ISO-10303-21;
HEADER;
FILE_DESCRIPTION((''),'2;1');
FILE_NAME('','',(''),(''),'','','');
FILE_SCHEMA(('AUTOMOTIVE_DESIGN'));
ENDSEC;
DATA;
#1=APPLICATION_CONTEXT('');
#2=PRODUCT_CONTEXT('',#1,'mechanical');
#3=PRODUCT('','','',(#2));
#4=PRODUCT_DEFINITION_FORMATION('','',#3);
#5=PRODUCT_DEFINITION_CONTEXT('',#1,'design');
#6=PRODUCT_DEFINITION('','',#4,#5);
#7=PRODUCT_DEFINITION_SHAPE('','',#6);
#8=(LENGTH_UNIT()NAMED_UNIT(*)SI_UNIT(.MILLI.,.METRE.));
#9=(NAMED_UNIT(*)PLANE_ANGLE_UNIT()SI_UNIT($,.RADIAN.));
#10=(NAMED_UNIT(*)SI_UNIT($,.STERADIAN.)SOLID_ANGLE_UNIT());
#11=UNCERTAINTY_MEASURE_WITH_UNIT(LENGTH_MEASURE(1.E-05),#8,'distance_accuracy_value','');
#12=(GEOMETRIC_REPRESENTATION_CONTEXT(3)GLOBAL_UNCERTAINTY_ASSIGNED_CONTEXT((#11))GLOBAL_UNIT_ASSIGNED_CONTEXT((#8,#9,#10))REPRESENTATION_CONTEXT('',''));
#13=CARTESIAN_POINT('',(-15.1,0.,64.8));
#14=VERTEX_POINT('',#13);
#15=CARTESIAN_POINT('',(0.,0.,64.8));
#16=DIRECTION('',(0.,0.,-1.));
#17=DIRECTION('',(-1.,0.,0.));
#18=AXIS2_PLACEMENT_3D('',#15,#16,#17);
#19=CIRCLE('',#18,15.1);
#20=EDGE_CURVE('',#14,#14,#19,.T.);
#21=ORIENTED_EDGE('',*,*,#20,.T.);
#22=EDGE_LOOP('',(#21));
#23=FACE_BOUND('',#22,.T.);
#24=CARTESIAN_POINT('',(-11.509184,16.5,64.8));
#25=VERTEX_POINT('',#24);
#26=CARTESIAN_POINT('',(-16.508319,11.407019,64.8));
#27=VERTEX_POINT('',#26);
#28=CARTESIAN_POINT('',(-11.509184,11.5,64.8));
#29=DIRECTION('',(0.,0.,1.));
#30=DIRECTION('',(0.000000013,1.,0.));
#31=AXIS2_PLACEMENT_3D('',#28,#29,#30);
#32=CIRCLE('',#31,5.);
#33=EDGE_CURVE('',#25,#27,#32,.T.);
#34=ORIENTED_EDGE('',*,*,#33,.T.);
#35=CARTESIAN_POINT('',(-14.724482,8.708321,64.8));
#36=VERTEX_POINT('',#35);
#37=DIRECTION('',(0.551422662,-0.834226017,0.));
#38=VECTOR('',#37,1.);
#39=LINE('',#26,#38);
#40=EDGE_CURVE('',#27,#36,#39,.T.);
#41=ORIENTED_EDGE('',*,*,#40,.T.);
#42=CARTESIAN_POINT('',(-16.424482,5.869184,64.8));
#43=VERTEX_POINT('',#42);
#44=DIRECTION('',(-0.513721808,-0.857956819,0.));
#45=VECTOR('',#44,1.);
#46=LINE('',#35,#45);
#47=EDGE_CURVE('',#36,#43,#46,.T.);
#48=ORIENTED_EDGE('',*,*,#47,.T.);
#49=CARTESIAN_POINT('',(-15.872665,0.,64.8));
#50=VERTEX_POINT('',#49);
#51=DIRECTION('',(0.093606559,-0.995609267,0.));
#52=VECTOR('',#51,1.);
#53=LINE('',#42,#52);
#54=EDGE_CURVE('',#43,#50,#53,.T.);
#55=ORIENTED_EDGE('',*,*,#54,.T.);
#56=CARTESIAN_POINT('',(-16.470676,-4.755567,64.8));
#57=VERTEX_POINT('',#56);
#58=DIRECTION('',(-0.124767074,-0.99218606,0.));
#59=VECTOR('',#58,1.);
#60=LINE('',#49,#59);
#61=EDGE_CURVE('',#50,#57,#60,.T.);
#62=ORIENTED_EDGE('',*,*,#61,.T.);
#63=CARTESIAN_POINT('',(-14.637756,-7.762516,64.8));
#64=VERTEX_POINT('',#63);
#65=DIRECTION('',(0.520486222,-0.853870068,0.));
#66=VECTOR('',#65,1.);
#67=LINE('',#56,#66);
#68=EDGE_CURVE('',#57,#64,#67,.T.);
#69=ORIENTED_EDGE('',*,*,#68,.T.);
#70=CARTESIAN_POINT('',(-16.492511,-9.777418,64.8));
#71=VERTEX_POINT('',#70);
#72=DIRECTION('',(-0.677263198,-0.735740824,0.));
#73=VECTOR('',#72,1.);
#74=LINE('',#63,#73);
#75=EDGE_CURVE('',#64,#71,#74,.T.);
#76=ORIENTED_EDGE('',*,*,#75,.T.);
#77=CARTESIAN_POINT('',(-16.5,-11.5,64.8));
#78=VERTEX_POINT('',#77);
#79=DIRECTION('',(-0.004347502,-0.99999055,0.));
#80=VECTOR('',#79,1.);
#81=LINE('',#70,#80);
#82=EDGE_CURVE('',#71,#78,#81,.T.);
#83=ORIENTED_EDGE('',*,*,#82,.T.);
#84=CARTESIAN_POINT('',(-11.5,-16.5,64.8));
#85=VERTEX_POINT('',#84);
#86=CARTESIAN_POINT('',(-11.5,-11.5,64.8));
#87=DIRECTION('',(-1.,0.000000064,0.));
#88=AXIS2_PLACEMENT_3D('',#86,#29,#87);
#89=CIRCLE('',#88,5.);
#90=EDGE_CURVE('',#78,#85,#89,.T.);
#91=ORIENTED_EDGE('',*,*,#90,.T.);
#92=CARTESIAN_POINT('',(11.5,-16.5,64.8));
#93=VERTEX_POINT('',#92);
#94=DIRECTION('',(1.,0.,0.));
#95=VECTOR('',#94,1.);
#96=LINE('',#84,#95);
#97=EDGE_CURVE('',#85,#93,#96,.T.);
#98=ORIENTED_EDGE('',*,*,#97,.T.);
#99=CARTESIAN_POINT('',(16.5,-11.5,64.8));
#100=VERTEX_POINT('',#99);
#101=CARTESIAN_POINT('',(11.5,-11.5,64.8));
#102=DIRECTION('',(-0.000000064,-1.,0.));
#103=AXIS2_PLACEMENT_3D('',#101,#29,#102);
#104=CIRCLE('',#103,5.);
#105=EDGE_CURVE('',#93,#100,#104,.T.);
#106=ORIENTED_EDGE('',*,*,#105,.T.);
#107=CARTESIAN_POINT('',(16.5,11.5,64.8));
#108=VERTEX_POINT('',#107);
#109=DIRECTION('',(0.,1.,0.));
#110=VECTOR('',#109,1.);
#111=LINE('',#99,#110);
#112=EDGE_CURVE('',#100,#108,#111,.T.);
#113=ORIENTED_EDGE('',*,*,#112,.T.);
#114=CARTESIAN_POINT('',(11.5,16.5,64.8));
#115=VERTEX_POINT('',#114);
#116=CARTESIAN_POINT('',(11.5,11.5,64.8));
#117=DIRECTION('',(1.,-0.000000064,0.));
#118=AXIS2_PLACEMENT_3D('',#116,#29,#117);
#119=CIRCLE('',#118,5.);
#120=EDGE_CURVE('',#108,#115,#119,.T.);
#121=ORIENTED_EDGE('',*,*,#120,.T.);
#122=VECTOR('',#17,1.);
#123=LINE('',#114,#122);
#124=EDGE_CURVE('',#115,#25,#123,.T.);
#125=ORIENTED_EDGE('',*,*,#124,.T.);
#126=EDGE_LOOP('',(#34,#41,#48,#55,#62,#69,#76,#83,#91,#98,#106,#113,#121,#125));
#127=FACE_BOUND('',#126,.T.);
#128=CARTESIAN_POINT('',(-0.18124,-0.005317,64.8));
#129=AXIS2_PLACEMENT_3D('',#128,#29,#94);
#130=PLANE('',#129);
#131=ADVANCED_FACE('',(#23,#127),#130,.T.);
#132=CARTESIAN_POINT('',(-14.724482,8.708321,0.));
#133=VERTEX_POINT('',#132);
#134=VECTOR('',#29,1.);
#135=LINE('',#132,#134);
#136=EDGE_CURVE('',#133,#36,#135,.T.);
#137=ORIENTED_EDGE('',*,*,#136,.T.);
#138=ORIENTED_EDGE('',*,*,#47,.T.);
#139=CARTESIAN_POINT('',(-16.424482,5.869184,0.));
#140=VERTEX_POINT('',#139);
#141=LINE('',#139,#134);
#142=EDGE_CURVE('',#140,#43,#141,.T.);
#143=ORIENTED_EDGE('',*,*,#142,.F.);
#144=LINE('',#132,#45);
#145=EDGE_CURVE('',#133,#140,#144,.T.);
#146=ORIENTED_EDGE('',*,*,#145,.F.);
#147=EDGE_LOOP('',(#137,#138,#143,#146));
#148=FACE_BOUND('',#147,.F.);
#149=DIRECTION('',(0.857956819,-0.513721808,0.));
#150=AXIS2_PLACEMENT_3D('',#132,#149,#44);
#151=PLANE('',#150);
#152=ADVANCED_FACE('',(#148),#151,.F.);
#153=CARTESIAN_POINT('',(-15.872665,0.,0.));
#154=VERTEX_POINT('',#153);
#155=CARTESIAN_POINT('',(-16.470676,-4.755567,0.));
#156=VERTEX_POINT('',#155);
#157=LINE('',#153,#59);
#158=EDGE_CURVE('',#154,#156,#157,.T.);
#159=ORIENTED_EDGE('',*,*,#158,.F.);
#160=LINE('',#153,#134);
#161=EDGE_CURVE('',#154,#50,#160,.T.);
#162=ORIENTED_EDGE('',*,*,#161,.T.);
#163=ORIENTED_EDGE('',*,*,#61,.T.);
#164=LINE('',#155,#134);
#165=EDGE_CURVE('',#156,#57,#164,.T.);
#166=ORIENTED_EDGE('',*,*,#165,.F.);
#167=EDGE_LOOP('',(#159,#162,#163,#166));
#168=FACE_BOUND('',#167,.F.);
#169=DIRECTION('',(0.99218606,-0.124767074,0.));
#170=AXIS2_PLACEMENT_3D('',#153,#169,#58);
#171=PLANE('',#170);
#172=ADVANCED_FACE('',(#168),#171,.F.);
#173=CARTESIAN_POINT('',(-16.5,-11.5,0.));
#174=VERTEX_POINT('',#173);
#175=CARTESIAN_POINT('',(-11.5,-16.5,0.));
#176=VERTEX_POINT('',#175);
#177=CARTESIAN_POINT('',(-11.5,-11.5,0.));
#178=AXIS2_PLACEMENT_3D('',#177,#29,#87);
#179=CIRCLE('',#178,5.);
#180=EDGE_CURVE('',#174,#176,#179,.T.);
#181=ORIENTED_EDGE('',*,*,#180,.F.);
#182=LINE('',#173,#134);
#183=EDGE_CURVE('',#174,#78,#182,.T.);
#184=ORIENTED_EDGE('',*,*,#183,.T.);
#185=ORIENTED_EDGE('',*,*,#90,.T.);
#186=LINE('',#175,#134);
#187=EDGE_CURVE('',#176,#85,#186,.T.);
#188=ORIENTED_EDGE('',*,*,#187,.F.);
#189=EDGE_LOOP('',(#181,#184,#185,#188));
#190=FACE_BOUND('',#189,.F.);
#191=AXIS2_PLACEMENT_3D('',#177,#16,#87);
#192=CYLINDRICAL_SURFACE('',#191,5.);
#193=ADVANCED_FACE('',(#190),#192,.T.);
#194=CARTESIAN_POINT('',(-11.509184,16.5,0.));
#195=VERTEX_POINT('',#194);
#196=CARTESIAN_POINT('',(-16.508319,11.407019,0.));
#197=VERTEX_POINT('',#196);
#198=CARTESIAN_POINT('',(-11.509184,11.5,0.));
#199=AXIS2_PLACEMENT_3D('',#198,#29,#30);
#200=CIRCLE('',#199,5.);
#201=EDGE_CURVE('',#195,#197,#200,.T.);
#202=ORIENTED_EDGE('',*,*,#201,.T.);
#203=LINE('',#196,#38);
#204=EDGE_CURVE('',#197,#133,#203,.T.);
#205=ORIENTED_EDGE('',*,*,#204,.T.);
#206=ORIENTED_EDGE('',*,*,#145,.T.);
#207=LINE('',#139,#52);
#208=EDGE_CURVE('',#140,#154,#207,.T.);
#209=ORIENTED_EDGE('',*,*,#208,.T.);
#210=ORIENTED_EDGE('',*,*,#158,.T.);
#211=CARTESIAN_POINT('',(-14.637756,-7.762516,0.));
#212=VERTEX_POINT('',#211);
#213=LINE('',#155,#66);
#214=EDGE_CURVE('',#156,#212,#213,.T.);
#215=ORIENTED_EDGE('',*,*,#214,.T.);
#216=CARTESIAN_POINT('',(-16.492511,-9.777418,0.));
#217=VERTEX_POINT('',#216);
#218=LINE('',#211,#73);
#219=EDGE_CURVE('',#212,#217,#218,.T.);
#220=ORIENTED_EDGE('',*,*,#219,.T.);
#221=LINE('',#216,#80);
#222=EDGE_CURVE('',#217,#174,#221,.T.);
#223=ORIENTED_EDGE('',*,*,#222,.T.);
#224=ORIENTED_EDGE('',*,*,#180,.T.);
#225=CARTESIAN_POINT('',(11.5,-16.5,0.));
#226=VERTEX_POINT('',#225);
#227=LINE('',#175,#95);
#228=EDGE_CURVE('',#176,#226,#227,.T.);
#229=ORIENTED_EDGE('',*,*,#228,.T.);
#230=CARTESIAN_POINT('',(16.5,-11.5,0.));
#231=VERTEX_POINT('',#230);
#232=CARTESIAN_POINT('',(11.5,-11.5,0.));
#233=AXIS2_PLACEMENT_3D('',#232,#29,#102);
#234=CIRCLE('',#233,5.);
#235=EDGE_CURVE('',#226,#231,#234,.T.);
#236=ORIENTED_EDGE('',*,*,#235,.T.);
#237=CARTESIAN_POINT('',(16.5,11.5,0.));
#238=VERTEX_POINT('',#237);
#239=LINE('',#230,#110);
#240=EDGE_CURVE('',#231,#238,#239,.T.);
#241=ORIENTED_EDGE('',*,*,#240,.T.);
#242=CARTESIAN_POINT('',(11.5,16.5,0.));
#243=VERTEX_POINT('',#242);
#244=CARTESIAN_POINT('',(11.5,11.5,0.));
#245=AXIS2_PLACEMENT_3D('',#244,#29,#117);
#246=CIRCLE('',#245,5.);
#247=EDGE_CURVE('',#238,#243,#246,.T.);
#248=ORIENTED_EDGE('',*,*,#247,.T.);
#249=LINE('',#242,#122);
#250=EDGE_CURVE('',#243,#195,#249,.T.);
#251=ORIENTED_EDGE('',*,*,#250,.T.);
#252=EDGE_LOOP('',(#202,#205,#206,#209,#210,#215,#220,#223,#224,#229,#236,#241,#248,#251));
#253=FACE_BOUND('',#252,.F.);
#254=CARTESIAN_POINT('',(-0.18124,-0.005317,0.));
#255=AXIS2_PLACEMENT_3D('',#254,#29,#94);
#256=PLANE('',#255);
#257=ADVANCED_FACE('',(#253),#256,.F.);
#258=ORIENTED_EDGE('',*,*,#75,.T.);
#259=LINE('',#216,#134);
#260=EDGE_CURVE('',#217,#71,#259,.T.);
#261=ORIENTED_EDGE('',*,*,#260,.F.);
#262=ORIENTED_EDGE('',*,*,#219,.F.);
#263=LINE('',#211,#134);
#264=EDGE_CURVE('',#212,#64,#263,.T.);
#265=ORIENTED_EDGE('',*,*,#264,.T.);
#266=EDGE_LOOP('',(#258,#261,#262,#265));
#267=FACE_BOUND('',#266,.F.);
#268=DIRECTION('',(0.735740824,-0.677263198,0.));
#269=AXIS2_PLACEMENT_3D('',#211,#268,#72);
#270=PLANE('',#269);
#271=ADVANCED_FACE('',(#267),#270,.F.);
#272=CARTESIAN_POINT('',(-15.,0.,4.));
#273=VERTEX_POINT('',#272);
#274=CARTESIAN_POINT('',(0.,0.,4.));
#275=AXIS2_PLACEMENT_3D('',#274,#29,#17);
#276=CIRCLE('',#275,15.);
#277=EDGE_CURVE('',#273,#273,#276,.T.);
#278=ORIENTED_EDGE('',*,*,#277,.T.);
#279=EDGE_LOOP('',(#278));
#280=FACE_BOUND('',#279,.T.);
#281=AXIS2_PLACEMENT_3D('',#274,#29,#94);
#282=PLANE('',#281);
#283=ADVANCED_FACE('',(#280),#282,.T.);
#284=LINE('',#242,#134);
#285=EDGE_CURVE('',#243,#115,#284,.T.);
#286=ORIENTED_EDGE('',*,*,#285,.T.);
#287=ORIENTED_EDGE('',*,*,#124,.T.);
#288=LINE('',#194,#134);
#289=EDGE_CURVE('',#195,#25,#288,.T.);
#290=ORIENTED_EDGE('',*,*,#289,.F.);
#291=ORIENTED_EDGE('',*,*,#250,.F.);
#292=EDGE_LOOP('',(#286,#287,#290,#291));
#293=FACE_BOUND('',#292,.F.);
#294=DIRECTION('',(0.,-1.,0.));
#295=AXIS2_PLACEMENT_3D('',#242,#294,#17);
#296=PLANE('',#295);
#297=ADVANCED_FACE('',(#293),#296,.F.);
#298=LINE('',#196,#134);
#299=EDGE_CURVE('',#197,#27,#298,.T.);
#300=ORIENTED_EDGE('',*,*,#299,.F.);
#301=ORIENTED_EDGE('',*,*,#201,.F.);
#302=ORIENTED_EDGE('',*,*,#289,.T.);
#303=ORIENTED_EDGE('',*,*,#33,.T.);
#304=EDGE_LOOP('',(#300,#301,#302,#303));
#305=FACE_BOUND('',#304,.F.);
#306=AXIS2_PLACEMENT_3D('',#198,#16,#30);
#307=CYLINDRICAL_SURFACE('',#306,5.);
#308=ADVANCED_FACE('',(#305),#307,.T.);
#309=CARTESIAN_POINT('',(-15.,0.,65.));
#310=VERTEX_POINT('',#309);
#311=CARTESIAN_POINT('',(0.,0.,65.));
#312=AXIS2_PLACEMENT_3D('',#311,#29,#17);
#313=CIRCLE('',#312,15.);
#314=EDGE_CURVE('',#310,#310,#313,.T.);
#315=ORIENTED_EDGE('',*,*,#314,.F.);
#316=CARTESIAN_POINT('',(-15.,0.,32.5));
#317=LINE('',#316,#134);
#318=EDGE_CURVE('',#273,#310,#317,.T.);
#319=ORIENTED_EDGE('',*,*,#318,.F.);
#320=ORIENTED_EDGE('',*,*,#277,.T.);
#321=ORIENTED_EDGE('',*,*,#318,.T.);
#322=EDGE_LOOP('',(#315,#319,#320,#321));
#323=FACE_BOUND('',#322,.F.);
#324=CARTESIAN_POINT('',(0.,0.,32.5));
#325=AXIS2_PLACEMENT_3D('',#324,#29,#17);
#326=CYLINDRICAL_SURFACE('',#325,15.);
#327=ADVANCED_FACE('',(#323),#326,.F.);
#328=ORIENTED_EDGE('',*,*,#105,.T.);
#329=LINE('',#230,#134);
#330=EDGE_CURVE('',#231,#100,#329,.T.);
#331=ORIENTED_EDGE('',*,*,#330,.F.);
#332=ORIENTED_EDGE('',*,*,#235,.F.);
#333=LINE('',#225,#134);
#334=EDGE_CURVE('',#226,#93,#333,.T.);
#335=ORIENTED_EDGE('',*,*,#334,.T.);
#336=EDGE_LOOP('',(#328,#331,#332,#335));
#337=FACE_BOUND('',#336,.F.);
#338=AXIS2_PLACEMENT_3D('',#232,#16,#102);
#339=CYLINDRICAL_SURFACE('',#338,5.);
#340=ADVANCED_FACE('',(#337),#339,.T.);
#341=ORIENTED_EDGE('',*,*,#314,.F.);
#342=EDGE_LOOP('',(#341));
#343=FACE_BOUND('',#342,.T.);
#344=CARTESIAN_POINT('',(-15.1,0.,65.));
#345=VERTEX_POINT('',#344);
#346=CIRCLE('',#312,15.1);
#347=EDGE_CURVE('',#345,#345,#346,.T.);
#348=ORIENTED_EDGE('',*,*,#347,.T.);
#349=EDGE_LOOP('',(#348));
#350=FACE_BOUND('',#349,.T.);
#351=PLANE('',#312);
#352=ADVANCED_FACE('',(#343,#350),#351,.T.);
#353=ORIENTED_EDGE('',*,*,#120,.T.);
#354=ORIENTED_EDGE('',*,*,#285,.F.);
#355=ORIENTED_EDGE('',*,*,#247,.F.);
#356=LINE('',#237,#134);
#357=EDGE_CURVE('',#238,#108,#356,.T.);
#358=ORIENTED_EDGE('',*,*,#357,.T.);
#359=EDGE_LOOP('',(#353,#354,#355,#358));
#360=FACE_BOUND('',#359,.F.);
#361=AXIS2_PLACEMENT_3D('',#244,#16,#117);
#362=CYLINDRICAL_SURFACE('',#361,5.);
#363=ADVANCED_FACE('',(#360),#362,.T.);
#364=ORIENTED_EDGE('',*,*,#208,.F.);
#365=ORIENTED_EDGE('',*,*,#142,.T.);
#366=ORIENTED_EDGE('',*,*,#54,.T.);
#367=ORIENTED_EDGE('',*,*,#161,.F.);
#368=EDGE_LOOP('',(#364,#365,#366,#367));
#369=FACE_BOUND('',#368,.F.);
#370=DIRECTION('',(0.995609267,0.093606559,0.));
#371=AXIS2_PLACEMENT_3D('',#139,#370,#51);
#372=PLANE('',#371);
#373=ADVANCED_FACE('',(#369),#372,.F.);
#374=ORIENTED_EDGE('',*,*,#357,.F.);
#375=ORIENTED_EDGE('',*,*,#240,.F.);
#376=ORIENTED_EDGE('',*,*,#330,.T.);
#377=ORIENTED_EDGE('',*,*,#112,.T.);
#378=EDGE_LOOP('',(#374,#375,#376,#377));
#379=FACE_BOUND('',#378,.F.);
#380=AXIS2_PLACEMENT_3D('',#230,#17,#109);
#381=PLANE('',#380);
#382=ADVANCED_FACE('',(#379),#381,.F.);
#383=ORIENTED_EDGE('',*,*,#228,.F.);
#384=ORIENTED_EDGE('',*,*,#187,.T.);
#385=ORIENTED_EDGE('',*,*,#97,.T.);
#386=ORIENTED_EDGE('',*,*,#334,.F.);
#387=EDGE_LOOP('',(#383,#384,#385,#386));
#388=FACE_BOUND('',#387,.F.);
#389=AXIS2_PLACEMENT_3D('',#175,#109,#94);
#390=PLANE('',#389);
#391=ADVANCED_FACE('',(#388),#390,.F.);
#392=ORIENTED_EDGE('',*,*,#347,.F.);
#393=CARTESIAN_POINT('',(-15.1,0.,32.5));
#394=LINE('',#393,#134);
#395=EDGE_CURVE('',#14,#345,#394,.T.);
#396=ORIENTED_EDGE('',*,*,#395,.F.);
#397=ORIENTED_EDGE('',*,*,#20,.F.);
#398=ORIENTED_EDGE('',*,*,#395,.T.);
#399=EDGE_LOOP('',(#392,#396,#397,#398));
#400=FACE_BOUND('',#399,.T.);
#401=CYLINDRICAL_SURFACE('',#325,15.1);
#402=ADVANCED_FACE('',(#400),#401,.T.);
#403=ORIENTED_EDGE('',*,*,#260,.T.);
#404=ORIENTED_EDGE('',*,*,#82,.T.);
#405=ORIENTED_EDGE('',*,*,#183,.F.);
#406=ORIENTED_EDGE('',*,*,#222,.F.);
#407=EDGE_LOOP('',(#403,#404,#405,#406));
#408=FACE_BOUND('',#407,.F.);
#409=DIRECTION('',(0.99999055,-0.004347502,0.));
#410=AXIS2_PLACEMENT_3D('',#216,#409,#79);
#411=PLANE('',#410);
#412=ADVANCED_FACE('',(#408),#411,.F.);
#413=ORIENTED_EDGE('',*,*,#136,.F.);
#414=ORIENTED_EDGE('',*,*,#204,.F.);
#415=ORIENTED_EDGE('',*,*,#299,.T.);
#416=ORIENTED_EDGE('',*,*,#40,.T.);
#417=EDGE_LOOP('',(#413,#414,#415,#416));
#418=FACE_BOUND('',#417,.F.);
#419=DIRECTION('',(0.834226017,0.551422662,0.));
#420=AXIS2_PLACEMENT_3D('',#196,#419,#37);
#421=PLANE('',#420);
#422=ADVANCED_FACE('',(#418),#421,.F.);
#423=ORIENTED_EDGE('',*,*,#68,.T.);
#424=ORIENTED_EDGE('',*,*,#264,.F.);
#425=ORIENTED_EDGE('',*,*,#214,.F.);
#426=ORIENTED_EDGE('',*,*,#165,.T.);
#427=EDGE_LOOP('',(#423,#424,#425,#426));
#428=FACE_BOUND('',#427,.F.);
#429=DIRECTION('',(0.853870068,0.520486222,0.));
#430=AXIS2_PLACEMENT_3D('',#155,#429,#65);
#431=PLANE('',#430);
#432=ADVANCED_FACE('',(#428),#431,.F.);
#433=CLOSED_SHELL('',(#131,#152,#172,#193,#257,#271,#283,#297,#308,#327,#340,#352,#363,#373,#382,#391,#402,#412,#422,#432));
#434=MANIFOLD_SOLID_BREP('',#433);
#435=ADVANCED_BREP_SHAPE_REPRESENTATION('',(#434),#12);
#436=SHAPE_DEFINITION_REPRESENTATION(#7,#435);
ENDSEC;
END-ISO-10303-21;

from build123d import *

# Parameters (mm, degrees)
F0_W     = 0.1
F0_H     = 65
F2_R     = 15.1
F3_DEPTH = 64.8
F4_R     = 15.089878
F5_DEPTH = 4


with BuildPart() as f1:
    # F0 (on Front) → F1 (revolve)
    with BuildSketch(Plane.XZ):
        with Locations((-15.05, 32.5)):
            Rectangle(F0_W, F0_H)
    revolve(axis=Axis((0, 0, 13.169291), (0, 0, 1)))

    # F2 (on Top) → F3 (join)
    with BuildSketch(Plane.XY):
        with BuildLine():
            Line((-11.5, -16.5), (11.5, -16.5))
            ThreePointArc((11.5, -16.5), (15.035534, -15.035534), (16.5, -11.5))
            Line((16.5, -11.5), (16.5, 11.5))
            ThreePointArc((16.5, 11.5), (15.035534, 15.035534), (11.5, 16.5))
            Line((11.5, 16.5), (-11.509184, 16.5))
            ThreePointArc((-11.509184, 16.5), (-15.07744, 15.002506), (-16.508319, 11.407019))
            Line((-16.508319, 11.407019), (-14.724482, 8.708321))
            Line((-14.724482, 8.708321), (-16.424482, 5.869184))
            Line((-16.424482, 5.869184), (-15.872665, 0))
            Line((-15.872665, 0), (-16.470676, -4.755567))
            Line((-16.470676, -4.755567), (-14.637756, -7.762516))
            Line((-14.637756, -7.762516), (-16.492511, -9.777418))
            Line((-16.492511, -9.777418), (-16.5, -11.5))
            ThreePointArc((-16.5, -11.5), (-15.035534, -15.035534), (-11.5, -16.5))
        make_face()
        Circle(F2_R, mode=Mode.SUBTRACT)
    extrude(amount=F3_DEPTH)

    # F4 (on Top) → F5 (join)
    with BuildSketch(Plane.XY):
        Circle(F4_R)
    extrude(amount=F5_DEPTH)


solid = f1.part
